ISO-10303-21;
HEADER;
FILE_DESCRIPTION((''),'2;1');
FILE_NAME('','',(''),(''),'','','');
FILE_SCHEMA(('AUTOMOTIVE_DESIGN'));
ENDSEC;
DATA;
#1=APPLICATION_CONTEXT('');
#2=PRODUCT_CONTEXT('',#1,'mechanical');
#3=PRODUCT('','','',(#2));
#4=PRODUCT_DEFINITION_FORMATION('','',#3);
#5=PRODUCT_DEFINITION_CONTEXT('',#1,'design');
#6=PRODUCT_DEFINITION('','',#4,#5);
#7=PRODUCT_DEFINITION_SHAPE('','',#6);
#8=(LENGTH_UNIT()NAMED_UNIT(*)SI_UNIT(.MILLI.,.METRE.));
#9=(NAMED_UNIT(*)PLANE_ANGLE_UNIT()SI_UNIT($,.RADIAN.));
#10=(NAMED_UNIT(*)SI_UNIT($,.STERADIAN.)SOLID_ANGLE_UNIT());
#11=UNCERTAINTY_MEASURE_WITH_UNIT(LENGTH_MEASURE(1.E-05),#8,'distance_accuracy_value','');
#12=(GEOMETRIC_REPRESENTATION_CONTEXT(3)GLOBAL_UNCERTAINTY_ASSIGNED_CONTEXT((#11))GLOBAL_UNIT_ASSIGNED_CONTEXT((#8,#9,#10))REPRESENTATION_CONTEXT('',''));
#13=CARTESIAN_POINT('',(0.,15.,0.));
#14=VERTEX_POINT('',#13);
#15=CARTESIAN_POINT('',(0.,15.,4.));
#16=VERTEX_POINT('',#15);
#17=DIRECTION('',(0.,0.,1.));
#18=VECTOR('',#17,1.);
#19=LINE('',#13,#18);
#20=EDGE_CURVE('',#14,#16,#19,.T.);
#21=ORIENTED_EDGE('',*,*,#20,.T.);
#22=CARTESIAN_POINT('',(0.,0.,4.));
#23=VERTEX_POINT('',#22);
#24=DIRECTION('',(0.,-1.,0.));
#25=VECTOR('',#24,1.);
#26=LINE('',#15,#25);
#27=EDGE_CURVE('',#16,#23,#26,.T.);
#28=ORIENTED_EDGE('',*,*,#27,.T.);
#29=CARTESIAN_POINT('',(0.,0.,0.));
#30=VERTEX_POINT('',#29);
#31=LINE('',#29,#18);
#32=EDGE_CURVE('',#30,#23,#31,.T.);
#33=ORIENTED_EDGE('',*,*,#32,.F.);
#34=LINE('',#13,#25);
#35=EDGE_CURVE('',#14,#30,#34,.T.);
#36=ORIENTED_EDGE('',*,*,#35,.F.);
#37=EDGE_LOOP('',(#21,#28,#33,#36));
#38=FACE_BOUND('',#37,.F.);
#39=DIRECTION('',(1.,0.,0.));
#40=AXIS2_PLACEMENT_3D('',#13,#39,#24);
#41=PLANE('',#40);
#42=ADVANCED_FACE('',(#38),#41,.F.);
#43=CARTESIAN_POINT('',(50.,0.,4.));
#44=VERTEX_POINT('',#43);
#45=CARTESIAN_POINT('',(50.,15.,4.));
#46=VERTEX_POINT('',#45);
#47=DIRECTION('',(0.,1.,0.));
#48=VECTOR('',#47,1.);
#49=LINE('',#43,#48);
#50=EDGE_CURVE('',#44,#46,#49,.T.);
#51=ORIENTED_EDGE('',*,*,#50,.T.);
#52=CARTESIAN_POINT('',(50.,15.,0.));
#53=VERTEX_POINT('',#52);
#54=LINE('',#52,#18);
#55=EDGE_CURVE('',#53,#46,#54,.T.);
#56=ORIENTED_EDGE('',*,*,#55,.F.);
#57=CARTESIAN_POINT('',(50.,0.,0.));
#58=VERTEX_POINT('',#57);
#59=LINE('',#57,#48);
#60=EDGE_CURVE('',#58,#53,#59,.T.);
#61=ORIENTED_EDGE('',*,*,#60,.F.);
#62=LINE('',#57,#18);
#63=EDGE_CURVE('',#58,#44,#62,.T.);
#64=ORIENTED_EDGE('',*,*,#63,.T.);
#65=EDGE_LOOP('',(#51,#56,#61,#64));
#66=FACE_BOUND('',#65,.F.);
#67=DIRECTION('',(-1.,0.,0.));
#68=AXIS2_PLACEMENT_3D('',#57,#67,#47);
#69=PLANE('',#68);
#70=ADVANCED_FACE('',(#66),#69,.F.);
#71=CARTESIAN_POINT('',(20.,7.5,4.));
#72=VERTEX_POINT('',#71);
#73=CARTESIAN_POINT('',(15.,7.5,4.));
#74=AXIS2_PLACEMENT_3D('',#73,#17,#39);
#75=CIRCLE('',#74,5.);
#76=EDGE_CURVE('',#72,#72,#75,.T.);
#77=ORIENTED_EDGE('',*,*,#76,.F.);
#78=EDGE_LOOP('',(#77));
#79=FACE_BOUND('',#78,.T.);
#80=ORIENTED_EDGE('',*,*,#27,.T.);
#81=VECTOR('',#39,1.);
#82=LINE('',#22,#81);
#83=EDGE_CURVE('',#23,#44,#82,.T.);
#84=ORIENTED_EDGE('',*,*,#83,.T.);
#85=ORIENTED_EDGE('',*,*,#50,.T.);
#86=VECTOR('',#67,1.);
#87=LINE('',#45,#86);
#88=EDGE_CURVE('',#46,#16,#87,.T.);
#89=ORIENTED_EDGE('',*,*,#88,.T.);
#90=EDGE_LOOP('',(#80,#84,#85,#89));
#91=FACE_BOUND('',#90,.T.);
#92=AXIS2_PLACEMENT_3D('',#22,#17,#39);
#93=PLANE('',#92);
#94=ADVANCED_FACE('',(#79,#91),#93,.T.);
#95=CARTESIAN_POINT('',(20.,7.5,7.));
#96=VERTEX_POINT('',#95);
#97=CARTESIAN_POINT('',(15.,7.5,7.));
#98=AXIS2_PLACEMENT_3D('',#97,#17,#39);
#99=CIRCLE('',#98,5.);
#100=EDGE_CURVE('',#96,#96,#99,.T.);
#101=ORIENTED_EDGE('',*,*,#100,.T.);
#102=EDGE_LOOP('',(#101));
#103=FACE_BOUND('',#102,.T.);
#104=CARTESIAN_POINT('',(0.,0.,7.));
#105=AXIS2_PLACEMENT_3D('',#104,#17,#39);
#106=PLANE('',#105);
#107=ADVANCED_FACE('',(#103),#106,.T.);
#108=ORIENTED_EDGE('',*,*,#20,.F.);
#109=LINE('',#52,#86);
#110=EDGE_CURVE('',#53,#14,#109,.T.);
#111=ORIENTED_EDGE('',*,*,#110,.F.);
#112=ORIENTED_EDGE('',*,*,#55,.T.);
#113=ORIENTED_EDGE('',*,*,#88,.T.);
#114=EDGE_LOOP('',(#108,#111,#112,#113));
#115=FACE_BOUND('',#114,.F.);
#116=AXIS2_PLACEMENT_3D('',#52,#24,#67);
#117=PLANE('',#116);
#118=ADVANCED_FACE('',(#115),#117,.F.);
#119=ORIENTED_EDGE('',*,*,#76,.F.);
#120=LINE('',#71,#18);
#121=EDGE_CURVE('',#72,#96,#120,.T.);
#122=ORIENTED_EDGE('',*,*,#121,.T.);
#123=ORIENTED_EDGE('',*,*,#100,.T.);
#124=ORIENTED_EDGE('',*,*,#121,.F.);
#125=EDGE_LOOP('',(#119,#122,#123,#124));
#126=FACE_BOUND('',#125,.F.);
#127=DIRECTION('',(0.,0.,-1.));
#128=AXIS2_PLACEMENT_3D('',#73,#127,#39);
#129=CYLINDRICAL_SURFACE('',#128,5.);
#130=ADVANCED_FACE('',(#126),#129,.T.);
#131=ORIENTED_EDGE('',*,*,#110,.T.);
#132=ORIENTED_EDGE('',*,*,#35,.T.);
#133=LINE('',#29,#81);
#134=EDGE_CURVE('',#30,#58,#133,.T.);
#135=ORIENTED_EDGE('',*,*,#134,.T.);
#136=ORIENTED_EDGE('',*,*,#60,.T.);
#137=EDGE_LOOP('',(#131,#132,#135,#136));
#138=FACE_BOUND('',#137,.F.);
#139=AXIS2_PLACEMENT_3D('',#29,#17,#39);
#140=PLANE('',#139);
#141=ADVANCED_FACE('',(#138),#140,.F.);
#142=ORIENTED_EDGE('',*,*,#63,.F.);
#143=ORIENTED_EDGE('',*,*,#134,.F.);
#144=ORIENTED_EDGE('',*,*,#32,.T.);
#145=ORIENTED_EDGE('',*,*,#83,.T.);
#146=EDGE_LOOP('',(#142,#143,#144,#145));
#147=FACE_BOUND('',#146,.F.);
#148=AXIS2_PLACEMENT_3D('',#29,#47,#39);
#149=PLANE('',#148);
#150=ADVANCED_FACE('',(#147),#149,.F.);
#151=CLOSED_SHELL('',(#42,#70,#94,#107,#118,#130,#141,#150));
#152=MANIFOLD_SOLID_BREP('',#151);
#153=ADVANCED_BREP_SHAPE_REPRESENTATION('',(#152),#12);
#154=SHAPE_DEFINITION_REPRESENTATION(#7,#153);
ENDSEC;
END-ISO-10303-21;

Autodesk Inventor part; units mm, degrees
ref_plane "YZ Plane" through (0, 0, 0) normal (1, 0, 0) x (0, 1, 0)
ref_plane "XZ Plane" through (0, 0, 0) normal (0, 1, 0) x (-1, 0, 0)
ref_plane "XY Plane" through (0, 0, 0) normal (0, 0, 1) x (1, 0, 0)
sketch "スケッチ1" plane through (0, 0, 0) normal (0, 0, 1) x (1, 0, 0)
  line L0 (0, 0) -> (50, 0)
  line L1 (50, 0) -> (50, 15)
  line L2 (50, 15) -> (0, 15)
  line L3 (0, 15) -> (0, 0)
  dimension "d0" = 50
  dimension "d1" = 15
extrude "押し出し1" add sketch "スケッチ1" along normal blind 4
sketch "スケッチ2" plane through (0, 0, 4) normal (0, 0, 1) x (1, 0, 0)
  circle A0 centre (15, 7.5) radius 5
  line L0 (0, 0) -> (50, 0) projected
  line L1 (50, 0) -> (50, 15) projected
  line L2 (50, 15) -> (0, 15) projected
  line L3 (0, 15) -> (0, 0) projected
  dimension "d4" = 10
  dimension "d5" = 7.5
  dimension "d6" = 15
extrude "押し出し2" add sketch "スケッチ2" along normal blind 3 contours A0
properties part number "回路.整流器"
